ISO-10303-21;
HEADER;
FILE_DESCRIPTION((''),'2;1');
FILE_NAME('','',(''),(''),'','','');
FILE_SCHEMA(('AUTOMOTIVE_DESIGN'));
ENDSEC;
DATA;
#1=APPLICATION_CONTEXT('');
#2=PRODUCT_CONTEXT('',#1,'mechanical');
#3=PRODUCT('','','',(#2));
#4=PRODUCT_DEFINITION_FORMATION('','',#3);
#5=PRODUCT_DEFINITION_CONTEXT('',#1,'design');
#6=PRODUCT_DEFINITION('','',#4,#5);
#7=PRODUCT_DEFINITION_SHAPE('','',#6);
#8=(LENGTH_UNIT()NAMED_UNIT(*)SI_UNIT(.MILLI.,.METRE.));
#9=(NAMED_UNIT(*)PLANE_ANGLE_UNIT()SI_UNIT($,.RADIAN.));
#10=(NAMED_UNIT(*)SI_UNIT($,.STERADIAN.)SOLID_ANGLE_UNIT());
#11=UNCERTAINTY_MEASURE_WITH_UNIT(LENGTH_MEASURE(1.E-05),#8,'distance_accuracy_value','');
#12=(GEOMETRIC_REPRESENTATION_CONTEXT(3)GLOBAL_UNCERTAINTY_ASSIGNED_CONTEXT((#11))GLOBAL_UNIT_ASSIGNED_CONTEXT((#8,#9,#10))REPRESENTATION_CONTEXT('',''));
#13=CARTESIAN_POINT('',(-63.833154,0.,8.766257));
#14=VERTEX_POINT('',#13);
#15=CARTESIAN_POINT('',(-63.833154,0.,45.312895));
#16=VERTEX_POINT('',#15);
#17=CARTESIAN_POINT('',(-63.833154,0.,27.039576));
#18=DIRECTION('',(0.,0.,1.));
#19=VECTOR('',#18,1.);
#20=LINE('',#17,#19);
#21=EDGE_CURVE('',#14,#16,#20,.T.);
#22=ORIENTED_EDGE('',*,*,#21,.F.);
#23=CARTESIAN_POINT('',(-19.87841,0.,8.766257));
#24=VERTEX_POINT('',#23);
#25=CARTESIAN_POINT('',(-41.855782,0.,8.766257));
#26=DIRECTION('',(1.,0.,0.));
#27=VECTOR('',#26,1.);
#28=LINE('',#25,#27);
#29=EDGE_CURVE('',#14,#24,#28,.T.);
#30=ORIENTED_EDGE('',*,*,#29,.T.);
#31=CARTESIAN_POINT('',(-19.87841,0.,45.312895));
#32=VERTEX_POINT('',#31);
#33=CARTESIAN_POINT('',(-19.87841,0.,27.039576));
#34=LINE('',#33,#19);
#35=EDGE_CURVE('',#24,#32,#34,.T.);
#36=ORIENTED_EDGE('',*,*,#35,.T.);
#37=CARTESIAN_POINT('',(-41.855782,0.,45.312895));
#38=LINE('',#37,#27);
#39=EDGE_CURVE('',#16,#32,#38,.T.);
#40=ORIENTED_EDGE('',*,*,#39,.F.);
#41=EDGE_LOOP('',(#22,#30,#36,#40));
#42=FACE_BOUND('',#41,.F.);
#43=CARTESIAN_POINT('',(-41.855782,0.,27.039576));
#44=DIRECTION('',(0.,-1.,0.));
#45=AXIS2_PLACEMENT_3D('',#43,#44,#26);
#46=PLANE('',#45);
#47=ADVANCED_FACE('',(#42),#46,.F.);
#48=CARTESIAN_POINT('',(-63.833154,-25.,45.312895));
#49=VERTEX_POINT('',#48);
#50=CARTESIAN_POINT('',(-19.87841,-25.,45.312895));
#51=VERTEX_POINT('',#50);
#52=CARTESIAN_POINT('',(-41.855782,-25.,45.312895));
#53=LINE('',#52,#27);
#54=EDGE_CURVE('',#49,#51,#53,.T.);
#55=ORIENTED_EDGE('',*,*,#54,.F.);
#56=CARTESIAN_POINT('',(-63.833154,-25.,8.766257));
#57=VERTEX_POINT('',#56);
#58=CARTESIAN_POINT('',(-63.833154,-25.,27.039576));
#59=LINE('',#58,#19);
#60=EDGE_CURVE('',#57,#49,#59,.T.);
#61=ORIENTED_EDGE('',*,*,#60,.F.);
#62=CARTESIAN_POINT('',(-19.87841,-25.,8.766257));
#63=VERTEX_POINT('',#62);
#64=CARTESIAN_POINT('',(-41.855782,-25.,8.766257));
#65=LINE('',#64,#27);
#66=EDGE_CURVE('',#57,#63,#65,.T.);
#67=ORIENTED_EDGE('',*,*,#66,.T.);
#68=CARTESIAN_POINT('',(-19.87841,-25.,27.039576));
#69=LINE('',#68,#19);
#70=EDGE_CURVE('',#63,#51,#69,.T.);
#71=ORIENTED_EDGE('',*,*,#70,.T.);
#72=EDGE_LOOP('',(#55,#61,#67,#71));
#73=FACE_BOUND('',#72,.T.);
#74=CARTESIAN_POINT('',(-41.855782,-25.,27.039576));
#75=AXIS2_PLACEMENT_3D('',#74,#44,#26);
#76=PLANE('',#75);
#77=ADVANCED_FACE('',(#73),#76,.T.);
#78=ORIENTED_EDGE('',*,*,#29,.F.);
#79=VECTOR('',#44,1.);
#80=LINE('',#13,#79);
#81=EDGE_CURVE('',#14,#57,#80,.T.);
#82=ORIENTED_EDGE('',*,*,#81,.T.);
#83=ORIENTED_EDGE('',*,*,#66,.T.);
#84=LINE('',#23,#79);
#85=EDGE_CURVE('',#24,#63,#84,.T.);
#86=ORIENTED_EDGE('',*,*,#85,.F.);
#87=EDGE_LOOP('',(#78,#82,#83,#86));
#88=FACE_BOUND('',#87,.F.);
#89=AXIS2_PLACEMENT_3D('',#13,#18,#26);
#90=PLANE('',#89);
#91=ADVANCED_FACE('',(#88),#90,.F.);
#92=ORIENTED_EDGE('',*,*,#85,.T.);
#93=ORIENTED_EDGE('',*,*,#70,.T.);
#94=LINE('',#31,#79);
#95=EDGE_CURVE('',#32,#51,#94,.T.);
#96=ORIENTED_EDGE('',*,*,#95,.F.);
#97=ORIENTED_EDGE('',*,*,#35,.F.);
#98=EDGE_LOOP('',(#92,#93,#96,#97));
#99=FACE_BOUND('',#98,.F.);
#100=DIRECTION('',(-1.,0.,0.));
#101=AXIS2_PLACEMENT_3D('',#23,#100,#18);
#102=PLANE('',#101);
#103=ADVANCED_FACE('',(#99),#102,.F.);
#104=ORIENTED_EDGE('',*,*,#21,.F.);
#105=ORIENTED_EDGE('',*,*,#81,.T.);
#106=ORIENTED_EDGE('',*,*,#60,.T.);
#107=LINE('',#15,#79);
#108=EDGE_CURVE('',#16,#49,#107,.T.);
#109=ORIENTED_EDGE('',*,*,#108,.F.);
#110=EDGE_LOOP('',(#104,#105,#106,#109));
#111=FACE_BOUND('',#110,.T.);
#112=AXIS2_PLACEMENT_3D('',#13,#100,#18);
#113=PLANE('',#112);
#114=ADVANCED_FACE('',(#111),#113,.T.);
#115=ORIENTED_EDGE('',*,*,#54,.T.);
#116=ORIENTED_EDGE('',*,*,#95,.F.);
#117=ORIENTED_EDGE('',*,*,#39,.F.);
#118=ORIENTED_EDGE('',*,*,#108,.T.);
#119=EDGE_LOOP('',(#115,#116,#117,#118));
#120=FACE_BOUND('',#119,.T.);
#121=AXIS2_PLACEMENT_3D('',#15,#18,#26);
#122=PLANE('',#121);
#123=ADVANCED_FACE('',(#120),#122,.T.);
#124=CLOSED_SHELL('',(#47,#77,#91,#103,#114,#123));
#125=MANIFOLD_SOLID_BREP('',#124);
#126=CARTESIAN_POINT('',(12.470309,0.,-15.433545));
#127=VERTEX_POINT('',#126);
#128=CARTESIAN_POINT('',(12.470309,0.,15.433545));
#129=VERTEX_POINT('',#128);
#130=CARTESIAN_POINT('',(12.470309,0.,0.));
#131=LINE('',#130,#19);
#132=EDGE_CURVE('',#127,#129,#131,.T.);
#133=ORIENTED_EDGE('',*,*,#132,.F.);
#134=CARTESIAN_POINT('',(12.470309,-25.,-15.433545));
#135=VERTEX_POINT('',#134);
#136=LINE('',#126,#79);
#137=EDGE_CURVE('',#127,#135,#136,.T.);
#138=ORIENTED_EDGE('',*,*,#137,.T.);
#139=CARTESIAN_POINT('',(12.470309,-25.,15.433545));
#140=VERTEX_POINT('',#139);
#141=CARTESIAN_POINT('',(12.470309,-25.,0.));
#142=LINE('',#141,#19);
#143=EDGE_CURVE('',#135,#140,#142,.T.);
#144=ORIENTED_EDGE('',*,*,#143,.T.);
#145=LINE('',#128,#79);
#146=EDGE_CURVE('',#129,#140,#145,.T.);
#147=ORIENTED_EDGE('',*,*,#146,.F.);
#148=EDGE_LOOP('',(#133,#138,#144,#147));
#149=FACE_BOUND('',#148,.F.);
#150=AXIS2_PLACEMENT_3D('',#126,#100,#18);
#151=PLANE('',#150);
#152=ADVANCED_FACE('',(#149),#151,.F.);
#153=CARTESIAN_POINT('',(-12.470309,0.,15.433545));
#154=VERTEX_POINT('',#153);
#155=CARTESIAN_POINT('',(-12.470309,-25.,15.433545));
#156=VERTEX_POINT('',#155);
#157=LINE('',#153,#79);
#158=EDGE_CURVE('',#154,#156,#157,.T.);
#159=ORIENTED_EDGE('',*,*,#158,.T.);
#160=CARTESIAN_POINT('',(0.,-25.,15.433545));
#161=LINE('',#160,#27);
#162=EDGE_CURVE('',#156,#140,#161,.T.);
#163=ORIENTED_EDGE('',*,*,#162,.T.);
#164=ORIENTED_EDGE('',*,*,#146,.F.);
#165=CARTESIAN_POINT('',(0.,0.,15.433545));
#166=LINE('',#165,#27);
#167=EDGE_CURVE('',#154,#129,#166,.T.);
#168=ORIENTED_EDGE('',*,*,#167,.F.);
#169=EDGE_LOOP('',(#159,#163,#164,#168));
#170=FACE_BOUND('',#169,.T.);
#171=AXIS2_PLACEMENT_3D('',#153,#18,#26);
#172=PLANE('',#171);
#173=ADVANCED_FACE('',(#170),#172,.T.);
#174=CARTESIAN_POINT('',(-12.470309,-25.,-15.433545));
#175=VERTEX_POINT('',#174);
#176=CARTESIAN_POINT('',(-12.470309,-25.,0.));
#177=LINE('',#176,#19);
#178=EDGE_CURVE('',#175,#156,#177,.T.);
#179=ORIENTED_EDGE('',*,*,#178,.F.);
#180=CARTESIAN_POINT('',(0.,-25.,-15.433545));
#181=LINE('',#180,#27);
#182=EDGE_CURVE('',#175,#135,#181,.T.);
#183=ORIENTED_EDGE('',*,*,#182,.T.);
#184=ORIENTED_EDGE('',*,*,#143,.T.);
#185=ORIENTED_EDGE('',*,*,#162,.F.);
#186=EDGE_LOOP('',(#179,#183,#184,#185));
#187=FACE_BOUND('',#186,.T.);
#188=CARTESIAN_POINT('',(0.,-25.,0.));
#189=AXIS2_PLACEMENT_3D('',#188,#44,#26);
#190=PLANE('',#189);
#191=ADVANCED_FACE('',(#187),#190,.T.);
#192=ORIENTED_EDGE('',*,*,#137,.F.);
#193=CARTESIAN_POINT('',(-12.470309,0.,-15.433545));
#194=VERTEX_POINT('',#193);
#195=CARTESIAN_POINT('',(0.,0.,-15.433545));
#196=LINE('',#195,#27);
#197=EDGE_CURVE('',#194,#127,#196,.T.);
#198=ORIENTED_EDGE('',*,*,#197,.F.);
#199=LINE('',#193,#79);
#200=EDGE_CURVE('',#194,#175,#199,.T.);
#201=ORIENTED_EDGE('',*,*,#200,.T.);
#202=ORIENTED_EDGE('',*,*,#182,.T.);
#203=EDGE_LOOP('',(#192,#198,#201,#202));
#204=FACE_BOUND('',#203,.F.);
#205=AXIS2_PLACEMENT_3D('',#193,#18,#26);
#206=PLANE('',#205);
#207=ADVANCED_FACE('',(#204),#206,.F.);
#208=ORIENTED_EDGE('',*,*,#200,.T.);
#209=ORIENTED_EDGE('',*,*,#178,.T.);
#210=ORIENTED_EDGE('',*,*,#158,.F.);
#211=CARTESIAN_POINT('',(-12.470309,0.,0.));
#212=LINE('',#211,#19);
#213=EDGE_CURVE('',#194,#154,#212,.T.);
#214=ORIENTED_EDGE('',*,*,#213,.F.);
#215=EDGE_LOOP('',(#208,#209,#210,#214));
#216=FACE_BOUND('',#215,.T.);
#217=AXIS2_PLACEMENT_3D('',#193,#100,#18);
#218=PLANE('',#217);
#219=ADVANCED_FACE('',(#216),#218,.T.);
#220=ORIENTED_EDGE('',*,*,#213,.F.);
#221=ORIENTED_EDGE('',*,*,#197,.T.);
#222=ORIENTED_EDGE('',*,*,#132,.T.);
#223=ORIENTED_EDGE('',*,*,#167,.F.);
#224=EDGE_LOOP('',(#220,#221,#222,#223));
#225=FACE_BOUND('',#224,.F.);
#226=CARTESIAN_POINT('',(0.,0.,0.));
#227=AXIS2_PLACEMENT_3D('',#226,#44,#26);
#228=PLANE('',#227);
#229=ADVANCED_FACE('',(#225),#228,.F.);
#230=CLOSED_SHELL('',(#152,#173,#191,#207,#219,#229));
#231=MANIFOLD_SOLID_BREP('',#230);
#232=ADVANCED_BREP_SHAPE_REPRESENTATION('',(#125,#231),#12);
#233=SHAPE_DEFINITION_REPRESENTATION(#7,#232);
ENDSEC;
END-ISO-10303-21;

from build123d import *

# Parameters (mm, degrees)
F0_W     = 43.954745
F0_H     = 36.546638
F0_W_2   = 24.940618
F0_H_2   = 30.86709
F1_DEPTH = 25


with BuildPart() as f1:
    # F0 (on Front) → F1 (new body)
    with BuildSketch(Plane.XZ):
        with Locations((-41.855782, 27.039576)):
            Rectangle(F0_W, F0_H)
        Rectangle(F0_W_2, F0_H_2)
    extrude(amount=F1_DEPTH)


solid = f1.part
